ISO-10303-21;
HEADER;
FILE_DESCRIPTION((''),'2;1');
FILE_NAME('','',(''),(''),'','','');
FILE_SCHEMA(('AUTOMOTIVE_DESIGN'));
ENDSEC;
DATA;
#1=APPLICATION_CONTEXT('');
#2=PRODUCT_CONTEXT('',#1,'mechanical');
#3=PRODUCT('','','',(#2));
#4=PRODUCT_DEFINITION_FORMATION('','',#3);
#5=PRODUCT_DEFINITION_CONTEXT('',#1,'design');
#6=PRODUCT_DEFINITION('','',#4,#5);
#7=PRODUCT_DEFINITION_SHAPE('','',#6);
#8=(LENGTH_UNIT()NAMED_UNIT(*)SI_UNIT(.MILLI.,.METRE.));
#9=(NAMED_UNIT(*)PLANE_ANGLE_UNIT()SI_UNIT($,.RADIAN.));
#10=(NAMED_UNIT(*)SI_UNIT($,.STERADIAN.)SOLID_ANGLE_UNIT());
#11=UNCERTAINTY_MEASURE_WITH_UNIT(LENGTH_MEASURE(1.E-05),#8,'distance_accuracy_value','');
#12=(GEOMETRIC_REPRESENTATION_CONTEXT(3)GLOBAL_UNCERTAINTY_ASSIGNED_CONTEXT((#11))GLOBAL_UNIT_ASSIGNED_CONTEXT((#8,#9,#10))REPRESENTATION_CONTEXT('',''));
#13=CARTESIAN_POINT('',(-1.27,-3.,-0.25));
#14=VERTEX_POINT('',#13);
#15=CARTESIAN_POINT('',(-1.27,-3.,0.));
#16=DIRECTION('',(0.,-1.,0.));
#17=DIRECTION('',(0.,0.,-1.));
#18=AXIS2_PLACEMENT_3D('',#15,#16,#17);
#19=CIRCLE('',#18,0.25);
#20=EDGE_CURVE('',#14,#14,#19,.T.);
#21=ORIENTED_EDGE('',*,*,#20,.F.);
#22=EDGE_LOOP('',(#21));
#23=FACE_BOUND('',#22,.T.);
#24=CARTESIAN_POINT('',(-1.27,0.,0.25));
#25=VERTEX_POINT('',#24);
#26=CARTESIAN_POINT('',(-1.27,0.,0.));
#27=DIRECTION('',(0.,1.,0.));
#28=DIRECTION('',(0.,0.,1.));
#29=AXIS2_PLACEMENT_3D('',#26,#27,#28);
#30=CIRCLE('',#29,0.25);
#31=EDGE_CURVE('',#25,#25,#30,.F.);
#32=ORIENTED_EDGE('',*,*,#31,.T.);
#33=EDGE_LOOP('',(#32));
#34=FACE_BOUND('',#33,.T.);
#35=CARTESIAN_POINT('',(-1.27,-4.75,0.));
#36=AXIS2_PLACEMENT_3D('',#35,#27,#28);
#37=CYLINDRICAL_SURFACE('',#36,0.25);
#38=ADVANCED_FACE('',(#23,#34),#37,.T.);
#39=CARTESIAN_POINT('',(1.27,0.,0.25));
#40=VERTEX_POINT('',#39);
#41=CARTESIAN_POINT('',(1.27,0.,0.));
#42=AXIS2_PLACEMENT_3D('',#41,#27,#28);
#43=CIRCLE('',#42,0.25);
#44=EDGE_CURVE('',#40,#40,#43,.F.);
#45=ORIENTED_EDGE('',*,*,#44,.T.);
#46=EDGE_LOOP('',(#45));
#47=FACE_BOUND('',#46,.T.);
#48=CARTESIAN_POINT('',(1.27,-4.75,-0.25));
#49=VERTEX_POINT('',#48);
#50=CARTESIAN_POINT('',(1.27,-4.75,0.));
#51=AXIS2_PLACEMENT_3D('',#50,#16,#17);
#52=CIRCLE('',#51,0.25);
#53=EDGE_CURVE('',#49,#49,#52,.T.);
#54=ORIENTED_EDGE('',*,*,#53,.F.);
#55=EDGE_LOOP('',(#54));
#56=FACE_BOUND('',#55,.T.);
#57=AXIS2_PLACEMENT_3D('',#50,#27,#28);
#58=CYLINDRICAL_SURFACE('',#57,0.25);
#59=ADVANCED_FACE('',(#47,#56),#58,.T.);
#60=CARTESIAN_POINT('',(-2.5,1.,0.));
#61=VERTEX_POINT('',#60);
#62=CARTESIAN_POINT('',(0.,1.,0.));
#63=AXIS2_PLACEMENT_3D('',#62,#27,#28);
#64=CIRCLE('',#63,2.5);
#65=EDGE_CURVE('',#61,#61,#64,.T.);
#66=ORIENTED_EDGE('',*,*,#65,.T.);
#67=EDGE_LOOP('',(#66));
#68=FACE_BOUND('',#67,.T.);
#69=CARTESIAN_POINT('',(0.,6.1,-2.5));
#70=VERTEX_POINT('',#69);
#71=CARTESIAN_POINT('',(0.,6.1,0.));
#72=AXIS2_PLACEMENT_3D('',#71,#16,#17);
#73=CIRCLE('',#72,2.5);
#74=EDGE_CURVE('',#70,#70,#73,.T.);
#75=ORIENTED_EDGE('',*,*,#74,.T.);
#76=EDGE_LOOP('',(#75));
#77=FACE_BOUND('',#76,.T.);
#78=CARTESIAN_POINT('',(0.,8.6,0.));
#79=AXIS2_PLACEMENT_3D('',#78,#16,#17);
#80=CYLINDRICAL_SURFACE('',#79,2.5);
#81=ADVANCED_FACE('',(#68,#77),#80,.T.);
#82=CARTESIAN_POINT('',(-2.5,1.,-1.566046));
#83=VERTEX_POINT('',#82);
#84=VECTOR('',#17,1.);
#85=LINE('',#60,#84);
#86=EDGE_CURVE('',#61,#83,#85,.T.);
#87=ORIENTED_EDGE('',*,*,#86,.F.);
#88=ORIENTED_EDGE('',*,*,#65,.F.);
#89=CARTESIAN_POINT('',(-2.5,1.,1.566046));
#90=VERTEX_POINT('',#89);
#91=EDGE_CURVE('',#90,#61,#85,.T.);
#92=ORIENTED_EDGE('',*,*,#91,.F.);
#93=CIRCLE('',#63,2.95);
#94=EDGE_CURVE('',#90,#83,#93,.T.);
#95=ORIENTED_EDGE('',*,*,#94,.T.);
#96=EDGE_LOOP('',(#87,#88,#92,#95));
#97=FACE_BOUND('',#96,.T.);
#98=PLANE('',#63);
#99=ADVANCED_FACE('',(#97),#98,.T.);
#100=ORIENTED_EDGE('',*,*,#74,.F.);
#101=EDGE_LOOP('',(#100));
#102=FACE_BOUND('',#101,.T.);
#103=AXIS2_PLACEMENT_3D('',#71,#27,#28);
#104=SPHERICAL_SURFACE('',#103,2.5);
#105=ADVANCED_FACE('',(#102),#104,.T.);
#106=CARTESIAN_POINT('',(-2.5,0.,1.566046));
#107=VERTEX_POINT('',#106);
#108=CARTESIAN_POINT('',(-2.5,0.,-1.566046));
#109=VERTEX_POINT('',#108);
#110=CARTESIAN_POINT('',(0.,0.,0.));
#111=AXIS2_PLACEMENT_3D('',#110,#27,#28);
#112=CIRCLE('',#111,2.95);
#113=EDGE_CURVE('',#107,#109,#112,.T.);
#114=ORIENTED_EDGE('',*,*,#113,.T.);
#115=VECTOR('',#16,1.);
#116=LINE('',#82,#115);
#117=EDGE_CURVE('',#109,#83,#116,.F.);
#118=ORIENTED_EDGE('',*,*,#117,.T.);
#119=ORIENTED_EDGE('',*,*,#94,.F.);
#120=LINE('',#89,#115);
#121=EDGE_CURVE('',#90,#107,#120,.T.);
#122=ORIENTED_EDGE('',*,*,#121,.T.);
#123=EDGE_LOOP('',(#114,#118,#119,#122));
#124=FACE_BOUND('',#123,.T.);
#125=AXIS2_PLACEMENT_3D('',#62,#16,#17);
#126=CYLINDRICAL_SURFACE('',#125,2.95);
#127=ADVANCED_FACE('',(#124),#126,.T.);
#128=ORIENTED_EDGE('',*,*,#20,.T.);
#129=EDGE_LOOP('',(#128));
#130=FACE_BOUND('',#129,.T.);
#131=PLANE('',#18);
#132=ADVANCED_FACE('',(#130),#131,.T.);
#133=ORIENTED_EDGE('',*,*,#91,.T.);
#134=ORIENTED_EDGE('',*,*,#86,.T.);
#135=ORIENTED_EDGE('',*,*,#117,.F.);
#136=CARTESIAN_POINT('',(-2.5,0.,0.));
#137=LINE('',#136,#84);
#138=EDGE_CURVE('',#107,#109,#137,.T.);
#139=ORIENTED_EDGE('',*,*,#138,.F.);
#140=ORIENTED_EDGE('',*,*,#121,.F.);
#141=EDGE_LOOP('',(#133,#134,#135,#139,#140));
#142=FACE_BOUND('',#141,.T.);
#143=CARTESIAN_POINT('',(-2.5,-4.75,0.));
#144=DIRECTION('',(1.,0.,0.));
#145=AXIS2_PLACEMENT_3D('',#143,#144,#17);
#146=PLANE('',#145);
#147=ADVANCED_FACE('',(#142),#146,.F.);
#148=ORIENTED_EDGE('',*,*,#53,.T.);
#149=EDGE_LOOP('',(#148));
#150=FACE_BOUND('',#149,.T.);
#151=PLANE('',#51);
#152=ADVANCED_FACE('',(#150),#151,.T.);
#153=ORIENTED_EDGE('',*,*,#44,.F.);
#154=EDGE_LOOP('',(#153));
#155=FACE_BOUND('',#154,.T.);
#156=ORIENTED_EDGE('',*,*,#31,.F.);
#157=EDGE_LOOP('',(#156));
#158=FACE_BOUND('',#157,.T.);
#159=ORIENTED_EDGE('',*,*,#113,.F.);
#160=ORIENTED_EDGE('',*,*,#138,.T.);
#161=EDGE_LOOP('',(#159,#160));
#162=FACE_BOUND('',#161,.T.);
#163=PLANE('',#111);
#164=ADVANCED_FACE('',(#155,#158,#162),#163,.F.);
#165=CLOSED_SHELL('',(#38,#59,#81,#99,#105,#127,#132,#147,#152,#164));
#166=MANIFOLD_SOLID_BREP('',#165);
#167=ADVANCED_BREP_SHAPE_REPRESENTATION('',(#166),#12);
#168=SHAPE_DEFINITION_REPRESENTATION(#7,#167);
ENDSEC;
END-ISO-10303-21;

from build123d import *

# Parameters (mm, degrees)
SKETCH1_R           = 2.95
BOSS_EXTRUDE1_DEPTH = 1
SKETCH2_R           = 2.5
BOSS_EXTRUDE2_DEPTH = 7.6
FILLET1_R           = 2.5
SKETCH3_R           = 0.25
BOSS_EXTRUDE3_DEPTH = 4.75
CUT_EXTRUDE1_START  = -1.75
SKETCH4_R           = 0.25
CUT_EXTRUDE1_DEPTH  = 1.75
CUT_EXTRUDE2_DEPTH  = 9.669775084


with BuildPart() as part:
    # Sketch1 → Boss-Extrude1 (new body)
    with BuildSketch(Plane(origin=(0, 0, 0), x_dir=(1, 0, 0), z_dir=(0, 1, 0))):
        with Locations(Location((0, 0, 0), (0, 0, 270))):
            Circle(SKETCH1_R)
    extrude(amount=BOSS_EXTRUDE1_DEPTH)

    # Sketch2 → Boss-Extrude2 (add)
    with BuildSketch(Plane(origin=(0, 1, 0), x_dir=(1, 0, 0), z_dir=(0, 1, 0))):
        with Locations(Location((0, 0, 0), (0, 0, 90))):
            Circle(SKETCH2_R)
    extrude(amount=BOSS_EXTRUDE2_DEPTH)

    # Fillet1
    fillet1_edges = [part.edges().sort_by_distance(p)[0] for p in [
        (0, 8.6, 2.5),
    ]]
    fillet(fillet1_edges, radius=FILLET1_R)

    # Sketch3 → Boss-Extrude3 (add)
    with BuildSketch(Plane.XZ):
        with Locations(Location((-1.27, 0, 0), (0, 0, 90))):
            Circle(SKETCH3_R)
        with Locations(Location((1.27, 0, 0), (0, 0, 90))):
            Circle(SKETCH3_R)
    extrude(amount=BOSS_EXTRUDE3_DEPTH)

    # Sketch4 → Cut-Extrude1 (cut)
    with BuildSketch(Plane.XZ.offset(4.75).offset(CUT_EXTRUDE1_START)):
        with Locations(Location((-1.27, 0, 0), (0, 0, 90))):
            Circle(SKETCH4_R)
    extrude(amount=CUT_EXTRUDE1_DEPTH, mode=Mode.SUBTRACT)

    # Sketch5 → Cut-Extrude2 (cut, through all)
    with BuildSketch(Plane(origin=(0, 1, 0), x_dir=(1, 0, 0), z_dir=(0, 1, 0))):
        Polygon((-2.5, 0), (-2.5, 1.983520803), (-3.125999015, 1.983520803), (-3.125999015, 0), (-3.125999015, -2.184477883), (-2.5, -2.184477883), align=None)
    extrude(amount=-CUT_EXTRUDE2_DEPTH, mode=Mode.SUBTRACT)


solid = part.part
